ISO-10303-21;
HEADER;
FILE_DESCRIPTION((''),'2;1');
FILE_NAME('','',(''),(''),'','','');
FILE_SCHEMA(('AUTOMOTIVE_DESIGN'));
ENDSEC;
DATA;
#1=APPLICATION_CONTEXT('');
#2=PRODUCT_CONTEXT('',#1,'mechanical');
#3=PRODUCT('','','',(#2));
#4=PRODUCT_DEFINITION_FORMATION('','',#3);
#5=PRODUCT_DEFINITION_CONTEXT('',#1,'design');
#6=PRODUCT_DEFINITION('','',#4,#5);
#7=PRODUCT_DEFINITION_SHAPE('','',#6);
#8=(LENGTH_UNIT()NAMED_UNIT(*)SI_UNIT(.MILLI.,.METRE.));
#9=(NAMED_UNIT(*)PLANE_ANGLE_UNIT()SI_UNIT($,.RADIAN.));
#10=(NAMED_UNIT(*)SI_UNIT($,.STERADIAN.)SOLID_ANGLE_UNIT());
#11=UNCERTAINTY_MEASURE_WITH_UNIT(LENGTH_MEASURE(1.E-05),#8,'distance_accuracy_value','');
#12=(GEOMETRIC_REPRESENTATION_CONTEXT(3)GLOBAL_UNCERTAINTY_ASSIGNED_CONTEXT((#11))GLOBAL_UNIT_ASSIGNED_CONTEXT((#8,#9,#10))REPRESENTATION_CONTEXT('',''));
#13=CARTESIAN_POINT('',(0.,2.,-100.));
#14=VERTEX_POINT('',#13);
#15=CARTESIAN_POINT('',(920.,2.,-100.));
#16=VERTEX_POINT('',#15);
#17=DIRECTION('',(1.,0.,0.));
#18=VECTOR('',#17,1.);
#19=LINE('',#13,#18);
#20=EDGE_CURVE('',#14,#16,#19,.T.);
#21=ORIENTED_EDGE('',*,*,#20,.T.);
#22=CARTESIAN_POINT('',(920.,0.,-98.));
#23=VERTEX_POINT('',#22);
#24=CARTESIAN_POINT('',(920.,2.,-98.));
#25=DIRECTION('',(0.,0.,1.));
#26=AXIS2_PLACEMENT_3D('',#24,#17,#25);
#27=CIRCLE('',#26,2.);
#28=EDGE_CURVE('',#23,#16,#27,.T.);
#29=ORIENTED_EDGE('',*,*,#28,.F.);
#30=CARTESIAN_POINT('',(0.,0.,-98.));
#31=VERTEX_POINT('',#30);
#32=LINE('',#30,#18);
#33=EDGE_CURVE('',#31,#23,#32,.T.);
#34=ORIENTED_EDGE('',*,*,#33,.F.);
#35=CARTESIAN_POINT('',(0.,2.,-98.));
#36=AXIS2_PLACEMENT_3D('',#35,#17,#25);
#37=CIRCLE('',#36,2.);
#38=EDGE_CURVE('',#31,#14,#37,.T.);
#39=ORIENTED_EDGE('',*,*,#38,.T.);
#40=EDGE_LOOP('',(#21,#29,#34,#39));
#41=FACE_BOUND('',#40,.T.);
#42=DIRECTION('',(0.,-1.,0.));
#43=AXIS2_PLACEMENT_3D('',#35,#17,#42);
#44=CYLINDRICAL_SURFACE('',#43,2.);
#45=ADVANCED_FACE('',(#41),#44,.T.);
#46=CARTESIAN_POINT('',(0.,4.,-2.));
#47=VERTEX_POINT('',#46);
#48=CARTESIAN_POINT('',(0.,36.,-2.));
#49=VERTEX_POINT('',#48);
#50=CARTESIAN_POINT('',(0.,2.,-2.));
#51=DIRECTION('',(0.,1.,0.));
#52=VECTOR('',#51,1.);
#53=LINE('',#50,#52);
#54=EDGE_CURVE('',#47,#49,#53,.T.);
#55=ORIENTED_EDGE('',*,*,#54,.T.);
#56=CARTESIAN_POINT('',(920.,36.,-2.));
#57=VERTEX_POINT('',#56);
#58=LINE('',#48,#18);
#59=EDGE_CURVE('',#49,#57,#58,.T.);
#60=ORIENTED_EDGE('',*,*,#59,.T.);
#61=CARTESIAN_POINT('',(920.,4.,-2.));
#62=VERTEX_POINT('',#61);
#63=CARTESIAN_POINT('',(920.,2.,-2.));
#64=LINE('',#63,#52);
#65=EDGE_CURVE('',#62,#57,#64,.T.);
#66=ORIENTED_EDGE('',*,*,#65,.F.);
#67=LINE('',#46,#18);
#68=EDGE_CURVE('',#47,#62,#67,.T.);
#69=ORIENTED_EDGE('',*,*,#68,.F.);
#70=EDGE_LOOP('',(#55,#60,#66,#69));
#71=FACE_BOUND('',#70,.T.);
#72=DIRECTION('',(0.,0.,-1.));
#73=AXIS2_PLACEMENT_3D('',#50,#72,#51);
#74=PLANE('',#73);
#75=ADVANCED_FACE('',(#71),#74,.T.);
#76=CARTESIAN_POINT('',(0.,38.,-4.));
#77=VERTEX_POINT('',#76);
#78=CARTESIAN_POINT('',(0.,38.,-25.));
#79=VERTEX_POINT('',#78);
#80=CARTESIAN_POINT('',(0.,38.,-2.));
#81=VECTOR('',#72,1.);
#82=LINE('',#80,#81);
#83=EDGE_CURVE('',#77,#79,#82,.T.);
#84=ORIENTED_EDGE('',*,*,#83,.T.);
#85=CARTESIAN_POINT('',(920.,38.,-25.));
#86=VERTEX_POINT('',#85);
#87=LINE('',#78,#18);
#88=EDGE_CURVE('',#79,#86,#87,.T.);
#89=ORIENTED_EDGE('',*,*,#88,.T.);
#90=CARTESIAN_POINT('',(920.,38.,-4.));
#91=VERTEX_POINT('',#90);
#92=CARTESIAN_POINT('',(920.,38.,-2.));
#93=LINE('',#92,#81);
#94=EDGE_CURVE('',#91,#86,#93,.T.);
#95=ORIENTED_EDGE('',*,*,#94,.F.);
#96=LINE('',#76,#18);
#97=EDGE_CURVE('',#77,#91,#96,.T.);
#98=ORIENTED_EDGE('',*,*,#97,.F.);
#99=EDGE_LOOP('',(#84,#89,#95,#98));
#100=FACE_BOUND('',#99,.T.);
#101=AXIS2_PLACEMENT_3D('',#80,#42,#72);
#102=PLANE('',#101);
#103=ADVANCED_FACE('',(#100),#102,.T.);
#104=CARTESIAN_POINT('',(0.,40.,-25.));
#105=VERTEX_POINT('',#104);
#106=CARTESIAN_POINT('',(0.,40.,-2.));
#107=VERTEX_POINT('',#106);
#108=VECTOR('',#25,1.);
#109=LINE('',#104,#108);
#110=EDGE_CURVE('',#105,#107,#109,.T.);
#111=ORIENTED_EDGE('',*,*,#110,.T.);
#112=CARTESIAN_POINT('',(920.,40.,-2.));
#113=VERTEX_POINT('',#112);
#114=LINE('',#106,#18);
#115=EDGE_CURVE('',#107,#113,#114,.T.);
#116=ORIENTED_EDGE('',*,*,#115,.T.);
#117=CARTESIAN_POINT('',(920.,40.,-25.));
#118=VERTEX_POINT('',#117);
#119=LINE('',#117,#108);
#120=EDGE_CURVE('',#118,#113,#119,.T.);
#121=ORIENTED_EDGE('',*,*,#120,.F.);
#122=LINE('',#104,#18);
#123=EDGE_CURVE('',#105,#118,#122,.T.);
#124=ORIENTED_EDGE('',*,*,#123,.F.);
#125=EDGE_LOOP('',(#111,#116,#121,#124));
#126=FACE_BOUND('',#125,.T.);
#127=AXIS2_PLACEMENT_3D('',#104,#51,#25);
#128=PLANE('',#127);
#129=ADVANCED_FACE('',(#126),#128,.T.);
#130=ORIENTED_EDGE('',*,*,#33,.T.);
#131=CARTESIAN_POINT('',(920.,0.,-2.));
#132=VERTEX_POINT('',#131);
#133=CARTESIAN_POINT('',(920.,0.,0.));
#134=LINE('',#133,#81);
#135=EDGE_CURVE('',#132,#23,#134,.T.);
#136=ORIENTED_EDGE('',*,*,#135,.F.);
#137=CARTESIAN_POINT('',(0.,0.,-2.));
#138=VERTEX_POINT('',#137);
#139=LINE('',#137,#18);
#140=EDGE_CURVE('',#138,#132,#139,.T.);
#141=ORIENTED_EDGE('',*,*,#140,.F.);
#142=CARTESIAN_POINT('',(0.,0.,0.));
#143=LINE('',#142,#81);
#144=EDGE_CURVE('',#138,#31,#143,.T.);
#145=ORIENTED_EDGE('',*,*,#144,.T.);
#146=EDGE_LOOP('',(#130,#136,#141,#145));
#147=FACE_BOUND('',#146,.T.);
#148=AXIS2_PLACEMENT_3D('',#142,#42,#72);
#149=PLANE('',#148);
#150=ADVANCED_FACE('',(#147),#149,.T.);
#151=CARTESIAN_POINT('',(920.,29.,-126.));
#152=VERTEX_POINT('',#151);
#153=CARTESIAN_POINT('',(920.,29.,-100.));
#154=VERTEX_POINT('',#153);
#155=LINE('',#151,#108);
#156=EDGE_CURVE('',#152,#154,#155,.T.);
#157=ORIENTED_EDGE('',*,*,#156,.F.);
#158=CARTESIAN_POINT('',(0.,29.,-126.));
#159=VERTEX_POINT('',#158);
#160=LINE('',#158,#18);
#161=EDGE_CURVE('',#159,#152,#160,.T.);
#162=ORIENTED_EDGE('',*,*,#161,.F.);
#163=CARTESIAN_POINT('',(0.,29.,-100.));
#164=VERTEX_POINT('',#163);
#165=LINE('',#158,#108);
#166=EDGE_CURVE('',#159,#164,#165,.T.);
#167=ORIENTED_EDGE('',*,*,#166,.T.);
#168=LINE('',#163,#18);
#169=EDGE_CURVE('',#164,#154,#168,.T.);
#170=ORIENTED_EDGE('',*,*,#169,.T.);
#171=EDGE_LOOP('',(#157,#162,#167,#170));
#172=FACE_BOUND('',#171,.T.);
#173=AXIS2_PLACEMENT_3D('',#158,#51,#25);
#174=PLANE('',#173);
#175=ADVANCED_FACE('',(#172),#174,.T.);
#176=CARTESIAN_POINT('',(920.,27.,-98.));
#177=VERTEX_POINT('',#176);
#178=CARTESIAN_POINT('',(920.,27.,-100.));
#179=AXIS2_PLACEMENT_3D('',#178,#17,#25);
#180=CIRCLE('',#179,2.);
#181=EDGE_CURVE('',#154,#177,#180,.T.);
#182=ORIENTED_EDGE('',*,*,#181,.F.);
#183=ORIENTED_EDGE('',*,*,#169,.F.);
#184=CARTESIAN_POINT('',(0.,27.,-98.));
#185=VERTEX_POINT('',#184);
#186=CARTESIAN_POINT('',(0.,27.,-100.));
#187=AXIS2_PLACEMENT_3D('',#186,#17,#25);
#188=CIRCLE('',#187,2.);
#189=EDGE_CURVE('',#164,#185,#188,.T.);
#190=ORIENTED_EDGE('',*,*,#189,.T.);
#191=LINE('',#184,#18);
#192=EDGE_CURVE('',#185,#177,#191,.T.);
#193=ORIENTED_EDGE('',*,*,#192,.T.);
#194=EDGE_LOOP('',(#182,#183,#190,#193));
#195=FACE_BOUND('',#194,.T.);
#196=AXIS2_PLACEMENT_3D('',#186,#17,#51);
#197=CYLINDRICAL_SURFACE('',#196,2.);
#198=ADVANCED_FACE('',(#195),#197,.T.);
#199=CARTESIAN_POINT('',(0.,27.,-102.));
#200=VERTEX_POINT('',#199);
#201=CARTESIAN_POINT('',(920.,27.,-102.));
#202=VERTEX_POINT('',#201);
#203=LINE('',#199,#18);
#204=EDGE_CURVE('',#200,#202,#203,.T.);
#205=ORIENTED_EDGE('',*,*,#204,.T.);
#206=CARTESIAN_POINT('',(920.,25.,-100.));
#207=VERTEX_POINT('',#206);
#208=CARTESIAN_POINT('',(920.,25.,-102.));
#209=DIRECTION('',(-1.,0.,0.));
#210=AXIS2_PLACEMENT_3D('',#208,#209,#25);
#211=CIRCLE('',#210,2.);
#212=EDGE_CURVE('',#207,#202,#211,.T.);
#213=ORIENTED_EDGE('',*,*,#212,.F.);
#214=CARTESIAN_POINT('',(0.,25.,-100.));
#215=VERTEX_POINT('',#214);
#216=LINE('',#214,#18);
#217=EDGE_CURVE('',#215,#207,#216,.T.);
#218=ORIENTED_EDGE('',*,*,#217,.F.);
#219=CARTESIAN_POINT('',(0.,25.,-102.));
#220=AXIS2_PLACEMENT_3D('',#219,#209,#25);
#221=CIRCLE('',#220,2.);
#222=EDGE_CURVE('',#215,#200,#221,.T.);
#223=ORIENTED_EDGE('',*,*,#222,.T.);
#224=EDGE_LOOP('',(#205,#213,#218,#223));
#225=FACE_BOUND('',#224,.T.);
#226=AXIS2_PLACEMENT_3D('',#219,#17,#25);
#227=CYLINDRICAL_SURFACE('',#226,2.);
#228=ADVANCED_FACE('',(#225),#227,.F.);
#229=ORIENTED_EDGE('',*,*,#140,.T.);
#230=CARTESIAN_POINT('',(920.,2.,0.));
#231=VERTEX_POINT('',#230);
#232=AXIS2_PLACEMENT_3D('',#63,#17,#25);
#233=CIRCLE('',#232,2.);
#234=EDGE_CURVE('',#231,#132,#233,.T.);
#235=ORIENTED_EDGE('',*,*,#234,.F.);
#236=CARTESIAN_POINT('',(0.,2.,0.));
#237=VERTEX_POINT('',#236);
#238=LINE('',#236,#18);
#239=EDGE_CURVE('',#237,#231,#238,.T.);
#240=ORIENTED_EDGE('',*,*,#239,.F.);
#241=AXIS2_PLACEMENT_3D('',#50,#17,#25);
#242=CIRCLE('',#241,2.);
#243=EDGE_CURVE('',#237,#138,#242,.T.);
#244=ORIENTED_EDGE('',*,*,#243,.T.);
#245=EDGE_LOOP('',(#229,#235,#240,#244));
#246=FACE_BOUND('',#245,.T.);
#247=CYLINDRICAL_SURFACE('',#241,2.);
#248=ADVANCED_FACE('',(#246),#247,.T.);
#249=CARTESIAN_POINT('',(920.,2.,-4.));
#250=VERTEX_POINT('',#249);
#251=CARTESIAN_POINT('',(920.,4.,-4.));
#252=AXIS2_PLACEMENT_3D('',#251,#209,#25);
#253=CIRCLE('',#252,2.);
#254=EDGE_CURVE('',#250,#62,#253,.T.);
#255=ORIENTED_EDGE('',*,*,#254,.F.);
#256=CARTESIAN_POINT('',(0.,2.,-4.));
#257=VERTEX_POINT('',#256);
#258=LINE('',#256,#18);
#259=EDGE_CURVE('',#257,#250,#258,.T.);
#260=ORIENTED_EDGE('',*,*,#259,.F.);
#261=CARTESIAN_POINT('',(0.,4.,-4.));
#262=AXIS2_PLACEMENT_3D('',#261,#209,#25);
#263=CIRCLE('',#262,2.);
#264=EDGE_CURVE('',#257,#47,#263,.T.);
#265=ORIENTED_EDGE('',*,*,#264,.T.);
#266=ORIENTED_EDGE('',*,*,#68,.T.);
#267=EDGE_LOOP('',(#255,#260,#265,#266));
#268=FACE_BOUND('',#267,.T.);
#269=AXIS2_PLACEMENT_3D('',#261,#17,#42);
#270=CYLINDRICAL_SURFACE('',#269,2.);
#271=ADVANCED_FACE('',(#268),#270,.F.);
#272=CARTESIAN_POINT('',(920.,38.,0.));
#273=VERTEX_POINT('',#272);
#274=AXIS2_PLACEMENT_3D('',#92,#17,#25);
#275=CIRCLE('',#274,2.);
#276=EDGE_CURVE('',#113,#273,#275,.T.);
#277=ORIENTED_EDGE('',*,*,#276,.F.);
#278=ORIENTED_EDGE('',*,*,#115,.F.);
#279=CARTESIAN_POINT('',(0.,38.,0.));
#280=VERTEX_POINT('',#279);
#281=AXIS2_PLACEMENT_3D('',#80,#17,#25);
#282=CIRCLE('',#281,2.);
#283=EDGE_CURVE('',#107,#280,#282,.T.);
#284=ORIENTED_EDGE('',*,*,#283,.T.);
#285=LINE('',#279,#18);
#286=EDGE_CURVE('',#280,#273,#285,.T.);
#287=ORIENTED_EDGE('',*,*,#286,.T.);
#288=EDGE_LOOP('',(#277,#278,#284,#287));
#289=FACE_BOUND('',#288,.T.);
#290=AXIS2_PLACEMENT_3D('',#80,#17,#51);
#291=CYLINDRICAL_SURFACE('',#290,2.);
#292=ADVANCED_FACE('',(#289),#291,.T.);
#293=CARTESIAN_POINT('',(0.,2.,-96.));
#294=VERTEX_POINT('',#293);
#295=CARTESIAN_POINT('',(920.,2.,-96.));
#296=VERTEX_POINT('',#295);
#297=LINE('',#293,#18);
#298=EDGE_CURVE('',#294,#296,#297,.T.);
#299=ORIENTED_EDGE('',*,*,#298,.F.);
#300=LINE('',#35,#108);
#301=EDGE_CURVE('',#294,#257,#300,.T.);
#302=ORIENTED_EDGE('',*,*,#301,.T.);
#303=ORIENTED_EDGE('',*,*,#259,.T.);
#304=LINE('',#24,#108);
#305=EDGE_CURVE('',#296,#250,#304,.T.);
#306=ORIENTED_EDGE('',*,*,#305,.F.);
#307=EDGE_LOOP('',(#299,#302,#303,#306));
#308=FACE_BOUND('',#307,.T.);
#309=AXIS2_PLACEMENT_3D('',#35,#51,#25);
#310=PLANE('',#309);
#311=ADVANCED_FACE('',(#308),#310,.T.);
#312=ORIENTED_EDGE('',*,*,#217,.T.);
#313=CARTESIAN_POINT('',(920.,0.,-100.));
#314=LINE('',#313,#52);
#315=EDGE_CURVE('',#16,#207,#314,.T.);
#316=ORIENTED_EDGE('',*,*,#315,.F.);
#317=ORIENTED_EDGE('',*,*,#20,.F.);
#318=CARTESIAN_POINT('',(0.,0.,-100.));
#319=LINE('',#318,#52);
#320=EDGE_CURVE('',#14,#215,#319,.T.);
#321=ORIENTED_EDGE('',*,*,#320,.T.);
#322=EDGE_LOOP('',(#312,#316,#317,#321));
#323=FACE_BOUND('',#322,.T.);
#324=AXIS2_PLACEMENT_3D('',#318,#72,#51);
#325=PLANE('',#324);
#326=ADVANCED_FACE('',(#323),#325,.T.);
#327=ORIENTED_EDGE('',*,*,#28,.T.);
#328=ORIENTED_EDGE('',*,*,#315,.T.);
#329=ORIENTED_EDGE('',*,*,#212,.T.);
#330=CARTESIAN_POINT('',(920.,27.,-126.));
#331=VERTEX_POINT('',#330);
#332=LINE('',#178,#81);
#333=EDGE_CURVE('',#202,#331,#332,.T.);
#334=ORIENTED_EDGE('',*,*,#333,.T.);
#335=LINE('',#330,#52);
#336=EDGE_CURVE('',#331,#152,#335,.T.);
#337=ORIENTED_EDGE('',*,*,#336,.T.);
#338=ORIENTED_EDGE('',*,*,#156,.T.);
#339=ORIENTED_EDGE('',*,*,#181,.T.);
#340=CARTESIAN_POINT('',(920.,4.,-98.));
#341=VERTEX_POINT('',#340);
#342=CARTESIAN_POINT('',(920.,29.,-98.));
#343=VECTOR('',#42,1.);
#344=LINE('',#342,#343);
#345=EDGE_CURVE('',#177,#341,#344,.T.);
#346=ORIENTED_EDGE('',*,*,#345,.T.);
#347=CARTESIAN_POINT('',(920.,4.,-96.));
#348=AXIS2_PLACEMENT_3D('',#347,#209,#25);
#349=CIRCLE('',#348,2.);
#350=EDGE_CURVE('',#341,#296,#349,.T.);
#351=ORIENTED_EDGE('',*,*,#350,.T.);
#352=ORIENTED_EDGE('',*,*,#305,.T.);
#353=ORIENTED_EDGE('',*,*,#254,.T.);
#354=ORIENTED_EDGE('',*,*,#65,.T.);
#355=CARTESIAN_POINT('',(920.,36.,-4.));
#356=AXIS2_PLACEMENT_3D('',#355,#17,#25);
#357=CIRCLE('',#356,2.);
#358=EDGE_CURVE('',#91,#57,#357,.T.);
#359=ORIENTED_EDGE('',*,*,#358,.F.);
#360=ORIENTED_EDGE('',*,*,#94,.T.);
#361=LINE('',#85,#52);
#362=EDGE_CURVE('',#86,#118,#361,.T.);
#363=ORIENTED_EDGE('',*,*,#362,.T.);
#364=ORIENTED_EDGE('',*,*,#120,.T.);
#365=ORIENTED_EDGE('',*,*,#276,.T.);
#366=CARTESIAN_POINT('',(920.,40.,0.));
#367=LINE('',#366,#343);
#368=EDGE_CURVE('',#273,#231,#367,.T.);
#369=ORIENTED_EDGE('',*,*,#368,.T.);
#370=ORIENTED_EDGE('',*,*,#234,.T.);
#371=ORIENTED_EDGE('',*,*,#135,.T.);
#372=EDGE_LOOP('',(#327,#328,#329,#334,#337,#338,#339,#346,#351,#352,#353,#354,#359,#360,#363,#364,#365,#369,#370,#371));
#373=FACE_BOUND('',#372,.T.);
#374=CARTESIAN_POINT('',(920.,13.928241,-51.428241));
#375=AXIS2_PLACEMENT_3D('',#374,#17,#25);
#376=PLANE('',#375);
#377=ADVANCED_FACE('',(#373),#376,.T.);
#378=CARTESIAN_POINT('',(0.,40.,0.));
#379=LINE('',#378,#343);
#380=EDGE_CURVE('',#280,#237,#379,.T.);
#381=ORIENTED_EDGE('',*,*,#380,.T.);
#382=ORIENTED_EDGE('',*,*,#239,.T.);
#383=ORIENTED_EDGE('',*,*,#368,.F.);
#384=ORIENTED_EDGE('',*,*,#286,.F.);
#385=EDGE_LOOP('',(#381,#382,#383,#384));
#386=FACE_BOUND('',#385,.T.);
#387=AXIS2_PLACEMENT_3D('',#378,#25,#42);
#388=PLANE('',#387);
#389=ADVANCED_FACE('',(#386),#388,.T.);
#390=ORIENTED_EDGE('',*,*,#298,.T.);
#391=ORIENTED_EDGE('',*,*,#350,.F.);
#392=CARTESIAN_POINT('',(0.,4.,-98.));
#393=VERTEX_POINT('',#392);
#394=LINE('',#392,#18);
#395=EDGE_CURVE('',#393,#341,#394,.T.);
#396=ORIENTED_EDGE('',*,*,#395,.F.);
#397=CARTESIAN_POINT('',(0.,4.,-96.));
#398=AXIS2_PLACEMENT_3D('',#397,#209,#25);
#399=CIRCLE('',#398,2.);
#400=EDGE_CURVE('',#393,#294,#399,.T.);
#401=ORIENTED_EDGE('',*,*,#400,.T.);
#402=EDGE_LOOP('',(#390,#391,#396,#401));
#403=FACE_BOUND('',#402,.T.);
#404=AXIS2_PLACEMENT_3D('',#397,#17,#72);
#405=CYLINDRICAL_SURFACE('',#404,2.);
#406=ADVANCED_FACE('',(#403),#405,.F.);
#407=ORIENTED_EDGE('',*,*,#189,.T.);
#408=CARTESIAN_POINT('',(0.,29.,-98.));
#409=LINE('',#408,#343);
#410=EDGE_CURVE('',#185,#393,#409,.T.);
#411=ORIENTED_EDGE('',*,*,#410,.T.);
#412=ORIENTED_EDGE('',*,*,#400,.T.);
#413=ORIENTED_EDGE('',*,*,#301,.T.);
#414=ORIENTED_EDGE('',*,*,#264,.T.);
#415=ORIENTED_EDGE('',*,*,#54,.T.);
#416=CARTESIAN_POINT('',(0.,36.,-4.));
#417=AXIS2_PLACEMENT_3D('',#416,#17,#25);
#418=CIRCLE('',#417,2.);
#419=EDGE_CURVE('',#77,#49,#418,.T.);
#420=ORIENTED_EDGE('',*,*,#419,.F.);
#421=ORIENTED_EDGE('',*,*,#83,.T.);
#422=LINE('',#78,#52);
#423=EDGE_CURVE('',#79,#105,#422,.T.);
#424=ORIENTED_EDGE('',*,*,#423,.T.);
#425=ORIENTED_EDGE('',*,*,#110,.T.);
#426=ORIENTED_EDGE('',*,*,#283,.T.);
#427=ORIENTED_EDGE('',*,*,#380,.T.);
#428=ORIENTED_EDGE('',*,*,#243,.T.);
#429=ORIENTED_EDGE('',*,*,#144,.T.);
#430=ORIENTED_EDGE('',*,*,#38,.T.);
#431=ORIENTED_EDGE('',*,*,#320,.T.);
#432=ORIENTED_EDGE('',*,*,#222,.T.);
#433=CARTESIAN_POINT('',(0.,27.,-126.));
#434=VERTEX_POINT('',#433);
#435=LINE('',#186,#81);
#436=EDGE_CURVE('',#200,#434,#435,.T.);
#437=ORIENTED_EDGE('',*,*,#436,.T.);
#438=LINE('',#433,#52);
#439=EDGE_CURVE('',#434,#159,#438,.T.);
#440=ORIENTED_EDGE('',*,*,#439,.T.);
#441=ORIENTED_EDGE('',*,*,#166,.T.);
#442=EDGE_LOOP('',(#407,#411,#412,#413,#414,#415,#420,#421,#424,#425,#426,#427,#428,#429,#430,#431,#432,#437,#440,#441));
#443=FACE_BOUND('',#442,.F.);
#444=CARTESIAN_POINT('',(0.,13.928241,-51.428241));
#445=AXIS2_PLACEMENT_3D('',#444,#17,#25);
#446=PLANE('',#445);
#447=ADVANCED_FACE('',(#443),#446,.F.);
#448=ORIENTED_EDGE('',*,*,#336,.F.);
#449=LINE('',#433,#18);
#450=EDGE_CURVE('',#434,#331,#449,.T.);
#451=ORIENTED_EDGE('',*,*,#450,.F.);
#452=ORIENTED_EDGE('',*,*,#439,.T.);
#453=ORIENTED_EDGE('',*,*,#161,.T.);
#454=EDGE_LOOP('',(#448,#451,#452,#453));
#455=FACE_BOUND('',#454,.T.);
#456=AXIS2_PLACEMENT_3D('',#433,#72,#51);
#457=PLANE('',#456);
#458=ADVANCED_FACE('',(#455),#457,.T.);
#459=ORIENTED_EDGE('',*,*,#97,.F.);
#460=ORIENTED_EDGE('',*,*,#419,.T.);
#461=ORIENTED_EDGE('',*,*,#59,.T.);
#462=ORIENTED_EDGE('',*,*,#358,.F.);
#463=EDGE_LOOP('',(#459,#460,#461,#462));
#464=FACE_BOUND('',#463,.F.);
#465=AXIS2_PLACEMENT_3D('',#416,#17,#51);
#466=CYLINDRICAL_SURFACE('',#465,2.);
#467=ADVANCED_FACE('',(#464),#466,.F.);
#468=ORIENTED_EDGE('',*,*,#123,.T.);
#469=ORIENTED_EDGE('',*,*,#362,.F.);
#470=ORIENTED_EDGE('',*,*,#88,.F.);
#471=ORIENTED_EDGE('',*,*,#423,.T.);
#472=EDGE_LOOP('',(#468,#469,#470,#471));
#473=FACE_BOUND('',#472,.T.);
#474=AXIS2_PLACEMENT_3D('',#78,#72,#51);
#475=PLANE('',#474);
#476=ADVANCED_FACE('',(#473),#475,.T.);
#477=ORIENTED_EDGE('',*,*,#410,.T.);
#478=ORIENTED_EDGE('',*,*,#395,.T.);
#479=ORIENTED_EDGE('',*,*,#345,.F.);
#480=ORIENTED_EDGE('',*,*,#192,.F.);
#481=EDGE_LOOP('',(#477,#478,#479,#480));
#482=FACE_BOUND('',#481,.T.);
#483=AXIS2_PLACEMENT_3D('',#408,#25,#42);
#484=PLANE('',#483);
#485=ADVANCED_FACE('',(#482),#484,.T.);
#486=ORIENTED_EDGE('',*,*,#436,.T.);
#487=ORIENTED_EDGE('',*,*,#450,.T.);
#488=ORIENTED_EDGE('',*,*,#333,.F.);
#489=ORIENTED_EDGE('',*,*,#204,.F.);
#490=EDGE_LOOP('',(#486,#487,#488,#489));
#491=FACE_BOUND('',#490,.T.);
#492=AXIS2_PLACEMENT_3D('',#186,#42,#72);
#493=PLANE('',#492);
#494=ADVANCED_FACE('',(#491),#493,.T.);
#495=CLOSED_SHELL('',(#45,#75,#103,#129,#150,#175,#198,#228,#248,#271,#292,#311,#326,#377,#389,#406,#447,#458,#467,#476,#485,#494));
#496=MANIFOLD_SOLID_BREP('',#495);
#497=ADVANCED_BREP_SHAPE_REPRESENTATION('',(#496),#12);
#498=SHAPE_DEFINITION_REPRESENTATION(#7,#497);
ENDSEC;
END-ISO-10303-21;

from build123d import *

# Parameters (mm, degrees)
F3_R = 2


with BuildPart() as f2:
    # F2: sweep along a path in F1
    with BuildLine(Plane.XY) as f2_path:
        Line((0, 0), (920, 0))
    # F0 (on Right) → F2 (sweep)
    with BuildSketch(Plane.YZ):
        Polygon((38, -2), (38, -25), (40, -25), (40, 0), (0, 0), (0, -100), (27, -100), (27, -126), (29, -126), (29, -98), (2, -98), (2, -2), align=None)
    sweep(path=f2_path.line)

    # F3
    f3_edges = [f2.edges().sort_by_distance(p)[0] for p in [
        (460, 40, 0),
        (460, 0, 0),
        (460, 29, -98),
        (460, 2, -98),
        (460, 2, -2),
        (460, 38, -2),
        (460, 0, -100),
        (460, 27, -100),
    ]]
    fillet(f3_edges, radius=F3_R)


solid = f2.part
